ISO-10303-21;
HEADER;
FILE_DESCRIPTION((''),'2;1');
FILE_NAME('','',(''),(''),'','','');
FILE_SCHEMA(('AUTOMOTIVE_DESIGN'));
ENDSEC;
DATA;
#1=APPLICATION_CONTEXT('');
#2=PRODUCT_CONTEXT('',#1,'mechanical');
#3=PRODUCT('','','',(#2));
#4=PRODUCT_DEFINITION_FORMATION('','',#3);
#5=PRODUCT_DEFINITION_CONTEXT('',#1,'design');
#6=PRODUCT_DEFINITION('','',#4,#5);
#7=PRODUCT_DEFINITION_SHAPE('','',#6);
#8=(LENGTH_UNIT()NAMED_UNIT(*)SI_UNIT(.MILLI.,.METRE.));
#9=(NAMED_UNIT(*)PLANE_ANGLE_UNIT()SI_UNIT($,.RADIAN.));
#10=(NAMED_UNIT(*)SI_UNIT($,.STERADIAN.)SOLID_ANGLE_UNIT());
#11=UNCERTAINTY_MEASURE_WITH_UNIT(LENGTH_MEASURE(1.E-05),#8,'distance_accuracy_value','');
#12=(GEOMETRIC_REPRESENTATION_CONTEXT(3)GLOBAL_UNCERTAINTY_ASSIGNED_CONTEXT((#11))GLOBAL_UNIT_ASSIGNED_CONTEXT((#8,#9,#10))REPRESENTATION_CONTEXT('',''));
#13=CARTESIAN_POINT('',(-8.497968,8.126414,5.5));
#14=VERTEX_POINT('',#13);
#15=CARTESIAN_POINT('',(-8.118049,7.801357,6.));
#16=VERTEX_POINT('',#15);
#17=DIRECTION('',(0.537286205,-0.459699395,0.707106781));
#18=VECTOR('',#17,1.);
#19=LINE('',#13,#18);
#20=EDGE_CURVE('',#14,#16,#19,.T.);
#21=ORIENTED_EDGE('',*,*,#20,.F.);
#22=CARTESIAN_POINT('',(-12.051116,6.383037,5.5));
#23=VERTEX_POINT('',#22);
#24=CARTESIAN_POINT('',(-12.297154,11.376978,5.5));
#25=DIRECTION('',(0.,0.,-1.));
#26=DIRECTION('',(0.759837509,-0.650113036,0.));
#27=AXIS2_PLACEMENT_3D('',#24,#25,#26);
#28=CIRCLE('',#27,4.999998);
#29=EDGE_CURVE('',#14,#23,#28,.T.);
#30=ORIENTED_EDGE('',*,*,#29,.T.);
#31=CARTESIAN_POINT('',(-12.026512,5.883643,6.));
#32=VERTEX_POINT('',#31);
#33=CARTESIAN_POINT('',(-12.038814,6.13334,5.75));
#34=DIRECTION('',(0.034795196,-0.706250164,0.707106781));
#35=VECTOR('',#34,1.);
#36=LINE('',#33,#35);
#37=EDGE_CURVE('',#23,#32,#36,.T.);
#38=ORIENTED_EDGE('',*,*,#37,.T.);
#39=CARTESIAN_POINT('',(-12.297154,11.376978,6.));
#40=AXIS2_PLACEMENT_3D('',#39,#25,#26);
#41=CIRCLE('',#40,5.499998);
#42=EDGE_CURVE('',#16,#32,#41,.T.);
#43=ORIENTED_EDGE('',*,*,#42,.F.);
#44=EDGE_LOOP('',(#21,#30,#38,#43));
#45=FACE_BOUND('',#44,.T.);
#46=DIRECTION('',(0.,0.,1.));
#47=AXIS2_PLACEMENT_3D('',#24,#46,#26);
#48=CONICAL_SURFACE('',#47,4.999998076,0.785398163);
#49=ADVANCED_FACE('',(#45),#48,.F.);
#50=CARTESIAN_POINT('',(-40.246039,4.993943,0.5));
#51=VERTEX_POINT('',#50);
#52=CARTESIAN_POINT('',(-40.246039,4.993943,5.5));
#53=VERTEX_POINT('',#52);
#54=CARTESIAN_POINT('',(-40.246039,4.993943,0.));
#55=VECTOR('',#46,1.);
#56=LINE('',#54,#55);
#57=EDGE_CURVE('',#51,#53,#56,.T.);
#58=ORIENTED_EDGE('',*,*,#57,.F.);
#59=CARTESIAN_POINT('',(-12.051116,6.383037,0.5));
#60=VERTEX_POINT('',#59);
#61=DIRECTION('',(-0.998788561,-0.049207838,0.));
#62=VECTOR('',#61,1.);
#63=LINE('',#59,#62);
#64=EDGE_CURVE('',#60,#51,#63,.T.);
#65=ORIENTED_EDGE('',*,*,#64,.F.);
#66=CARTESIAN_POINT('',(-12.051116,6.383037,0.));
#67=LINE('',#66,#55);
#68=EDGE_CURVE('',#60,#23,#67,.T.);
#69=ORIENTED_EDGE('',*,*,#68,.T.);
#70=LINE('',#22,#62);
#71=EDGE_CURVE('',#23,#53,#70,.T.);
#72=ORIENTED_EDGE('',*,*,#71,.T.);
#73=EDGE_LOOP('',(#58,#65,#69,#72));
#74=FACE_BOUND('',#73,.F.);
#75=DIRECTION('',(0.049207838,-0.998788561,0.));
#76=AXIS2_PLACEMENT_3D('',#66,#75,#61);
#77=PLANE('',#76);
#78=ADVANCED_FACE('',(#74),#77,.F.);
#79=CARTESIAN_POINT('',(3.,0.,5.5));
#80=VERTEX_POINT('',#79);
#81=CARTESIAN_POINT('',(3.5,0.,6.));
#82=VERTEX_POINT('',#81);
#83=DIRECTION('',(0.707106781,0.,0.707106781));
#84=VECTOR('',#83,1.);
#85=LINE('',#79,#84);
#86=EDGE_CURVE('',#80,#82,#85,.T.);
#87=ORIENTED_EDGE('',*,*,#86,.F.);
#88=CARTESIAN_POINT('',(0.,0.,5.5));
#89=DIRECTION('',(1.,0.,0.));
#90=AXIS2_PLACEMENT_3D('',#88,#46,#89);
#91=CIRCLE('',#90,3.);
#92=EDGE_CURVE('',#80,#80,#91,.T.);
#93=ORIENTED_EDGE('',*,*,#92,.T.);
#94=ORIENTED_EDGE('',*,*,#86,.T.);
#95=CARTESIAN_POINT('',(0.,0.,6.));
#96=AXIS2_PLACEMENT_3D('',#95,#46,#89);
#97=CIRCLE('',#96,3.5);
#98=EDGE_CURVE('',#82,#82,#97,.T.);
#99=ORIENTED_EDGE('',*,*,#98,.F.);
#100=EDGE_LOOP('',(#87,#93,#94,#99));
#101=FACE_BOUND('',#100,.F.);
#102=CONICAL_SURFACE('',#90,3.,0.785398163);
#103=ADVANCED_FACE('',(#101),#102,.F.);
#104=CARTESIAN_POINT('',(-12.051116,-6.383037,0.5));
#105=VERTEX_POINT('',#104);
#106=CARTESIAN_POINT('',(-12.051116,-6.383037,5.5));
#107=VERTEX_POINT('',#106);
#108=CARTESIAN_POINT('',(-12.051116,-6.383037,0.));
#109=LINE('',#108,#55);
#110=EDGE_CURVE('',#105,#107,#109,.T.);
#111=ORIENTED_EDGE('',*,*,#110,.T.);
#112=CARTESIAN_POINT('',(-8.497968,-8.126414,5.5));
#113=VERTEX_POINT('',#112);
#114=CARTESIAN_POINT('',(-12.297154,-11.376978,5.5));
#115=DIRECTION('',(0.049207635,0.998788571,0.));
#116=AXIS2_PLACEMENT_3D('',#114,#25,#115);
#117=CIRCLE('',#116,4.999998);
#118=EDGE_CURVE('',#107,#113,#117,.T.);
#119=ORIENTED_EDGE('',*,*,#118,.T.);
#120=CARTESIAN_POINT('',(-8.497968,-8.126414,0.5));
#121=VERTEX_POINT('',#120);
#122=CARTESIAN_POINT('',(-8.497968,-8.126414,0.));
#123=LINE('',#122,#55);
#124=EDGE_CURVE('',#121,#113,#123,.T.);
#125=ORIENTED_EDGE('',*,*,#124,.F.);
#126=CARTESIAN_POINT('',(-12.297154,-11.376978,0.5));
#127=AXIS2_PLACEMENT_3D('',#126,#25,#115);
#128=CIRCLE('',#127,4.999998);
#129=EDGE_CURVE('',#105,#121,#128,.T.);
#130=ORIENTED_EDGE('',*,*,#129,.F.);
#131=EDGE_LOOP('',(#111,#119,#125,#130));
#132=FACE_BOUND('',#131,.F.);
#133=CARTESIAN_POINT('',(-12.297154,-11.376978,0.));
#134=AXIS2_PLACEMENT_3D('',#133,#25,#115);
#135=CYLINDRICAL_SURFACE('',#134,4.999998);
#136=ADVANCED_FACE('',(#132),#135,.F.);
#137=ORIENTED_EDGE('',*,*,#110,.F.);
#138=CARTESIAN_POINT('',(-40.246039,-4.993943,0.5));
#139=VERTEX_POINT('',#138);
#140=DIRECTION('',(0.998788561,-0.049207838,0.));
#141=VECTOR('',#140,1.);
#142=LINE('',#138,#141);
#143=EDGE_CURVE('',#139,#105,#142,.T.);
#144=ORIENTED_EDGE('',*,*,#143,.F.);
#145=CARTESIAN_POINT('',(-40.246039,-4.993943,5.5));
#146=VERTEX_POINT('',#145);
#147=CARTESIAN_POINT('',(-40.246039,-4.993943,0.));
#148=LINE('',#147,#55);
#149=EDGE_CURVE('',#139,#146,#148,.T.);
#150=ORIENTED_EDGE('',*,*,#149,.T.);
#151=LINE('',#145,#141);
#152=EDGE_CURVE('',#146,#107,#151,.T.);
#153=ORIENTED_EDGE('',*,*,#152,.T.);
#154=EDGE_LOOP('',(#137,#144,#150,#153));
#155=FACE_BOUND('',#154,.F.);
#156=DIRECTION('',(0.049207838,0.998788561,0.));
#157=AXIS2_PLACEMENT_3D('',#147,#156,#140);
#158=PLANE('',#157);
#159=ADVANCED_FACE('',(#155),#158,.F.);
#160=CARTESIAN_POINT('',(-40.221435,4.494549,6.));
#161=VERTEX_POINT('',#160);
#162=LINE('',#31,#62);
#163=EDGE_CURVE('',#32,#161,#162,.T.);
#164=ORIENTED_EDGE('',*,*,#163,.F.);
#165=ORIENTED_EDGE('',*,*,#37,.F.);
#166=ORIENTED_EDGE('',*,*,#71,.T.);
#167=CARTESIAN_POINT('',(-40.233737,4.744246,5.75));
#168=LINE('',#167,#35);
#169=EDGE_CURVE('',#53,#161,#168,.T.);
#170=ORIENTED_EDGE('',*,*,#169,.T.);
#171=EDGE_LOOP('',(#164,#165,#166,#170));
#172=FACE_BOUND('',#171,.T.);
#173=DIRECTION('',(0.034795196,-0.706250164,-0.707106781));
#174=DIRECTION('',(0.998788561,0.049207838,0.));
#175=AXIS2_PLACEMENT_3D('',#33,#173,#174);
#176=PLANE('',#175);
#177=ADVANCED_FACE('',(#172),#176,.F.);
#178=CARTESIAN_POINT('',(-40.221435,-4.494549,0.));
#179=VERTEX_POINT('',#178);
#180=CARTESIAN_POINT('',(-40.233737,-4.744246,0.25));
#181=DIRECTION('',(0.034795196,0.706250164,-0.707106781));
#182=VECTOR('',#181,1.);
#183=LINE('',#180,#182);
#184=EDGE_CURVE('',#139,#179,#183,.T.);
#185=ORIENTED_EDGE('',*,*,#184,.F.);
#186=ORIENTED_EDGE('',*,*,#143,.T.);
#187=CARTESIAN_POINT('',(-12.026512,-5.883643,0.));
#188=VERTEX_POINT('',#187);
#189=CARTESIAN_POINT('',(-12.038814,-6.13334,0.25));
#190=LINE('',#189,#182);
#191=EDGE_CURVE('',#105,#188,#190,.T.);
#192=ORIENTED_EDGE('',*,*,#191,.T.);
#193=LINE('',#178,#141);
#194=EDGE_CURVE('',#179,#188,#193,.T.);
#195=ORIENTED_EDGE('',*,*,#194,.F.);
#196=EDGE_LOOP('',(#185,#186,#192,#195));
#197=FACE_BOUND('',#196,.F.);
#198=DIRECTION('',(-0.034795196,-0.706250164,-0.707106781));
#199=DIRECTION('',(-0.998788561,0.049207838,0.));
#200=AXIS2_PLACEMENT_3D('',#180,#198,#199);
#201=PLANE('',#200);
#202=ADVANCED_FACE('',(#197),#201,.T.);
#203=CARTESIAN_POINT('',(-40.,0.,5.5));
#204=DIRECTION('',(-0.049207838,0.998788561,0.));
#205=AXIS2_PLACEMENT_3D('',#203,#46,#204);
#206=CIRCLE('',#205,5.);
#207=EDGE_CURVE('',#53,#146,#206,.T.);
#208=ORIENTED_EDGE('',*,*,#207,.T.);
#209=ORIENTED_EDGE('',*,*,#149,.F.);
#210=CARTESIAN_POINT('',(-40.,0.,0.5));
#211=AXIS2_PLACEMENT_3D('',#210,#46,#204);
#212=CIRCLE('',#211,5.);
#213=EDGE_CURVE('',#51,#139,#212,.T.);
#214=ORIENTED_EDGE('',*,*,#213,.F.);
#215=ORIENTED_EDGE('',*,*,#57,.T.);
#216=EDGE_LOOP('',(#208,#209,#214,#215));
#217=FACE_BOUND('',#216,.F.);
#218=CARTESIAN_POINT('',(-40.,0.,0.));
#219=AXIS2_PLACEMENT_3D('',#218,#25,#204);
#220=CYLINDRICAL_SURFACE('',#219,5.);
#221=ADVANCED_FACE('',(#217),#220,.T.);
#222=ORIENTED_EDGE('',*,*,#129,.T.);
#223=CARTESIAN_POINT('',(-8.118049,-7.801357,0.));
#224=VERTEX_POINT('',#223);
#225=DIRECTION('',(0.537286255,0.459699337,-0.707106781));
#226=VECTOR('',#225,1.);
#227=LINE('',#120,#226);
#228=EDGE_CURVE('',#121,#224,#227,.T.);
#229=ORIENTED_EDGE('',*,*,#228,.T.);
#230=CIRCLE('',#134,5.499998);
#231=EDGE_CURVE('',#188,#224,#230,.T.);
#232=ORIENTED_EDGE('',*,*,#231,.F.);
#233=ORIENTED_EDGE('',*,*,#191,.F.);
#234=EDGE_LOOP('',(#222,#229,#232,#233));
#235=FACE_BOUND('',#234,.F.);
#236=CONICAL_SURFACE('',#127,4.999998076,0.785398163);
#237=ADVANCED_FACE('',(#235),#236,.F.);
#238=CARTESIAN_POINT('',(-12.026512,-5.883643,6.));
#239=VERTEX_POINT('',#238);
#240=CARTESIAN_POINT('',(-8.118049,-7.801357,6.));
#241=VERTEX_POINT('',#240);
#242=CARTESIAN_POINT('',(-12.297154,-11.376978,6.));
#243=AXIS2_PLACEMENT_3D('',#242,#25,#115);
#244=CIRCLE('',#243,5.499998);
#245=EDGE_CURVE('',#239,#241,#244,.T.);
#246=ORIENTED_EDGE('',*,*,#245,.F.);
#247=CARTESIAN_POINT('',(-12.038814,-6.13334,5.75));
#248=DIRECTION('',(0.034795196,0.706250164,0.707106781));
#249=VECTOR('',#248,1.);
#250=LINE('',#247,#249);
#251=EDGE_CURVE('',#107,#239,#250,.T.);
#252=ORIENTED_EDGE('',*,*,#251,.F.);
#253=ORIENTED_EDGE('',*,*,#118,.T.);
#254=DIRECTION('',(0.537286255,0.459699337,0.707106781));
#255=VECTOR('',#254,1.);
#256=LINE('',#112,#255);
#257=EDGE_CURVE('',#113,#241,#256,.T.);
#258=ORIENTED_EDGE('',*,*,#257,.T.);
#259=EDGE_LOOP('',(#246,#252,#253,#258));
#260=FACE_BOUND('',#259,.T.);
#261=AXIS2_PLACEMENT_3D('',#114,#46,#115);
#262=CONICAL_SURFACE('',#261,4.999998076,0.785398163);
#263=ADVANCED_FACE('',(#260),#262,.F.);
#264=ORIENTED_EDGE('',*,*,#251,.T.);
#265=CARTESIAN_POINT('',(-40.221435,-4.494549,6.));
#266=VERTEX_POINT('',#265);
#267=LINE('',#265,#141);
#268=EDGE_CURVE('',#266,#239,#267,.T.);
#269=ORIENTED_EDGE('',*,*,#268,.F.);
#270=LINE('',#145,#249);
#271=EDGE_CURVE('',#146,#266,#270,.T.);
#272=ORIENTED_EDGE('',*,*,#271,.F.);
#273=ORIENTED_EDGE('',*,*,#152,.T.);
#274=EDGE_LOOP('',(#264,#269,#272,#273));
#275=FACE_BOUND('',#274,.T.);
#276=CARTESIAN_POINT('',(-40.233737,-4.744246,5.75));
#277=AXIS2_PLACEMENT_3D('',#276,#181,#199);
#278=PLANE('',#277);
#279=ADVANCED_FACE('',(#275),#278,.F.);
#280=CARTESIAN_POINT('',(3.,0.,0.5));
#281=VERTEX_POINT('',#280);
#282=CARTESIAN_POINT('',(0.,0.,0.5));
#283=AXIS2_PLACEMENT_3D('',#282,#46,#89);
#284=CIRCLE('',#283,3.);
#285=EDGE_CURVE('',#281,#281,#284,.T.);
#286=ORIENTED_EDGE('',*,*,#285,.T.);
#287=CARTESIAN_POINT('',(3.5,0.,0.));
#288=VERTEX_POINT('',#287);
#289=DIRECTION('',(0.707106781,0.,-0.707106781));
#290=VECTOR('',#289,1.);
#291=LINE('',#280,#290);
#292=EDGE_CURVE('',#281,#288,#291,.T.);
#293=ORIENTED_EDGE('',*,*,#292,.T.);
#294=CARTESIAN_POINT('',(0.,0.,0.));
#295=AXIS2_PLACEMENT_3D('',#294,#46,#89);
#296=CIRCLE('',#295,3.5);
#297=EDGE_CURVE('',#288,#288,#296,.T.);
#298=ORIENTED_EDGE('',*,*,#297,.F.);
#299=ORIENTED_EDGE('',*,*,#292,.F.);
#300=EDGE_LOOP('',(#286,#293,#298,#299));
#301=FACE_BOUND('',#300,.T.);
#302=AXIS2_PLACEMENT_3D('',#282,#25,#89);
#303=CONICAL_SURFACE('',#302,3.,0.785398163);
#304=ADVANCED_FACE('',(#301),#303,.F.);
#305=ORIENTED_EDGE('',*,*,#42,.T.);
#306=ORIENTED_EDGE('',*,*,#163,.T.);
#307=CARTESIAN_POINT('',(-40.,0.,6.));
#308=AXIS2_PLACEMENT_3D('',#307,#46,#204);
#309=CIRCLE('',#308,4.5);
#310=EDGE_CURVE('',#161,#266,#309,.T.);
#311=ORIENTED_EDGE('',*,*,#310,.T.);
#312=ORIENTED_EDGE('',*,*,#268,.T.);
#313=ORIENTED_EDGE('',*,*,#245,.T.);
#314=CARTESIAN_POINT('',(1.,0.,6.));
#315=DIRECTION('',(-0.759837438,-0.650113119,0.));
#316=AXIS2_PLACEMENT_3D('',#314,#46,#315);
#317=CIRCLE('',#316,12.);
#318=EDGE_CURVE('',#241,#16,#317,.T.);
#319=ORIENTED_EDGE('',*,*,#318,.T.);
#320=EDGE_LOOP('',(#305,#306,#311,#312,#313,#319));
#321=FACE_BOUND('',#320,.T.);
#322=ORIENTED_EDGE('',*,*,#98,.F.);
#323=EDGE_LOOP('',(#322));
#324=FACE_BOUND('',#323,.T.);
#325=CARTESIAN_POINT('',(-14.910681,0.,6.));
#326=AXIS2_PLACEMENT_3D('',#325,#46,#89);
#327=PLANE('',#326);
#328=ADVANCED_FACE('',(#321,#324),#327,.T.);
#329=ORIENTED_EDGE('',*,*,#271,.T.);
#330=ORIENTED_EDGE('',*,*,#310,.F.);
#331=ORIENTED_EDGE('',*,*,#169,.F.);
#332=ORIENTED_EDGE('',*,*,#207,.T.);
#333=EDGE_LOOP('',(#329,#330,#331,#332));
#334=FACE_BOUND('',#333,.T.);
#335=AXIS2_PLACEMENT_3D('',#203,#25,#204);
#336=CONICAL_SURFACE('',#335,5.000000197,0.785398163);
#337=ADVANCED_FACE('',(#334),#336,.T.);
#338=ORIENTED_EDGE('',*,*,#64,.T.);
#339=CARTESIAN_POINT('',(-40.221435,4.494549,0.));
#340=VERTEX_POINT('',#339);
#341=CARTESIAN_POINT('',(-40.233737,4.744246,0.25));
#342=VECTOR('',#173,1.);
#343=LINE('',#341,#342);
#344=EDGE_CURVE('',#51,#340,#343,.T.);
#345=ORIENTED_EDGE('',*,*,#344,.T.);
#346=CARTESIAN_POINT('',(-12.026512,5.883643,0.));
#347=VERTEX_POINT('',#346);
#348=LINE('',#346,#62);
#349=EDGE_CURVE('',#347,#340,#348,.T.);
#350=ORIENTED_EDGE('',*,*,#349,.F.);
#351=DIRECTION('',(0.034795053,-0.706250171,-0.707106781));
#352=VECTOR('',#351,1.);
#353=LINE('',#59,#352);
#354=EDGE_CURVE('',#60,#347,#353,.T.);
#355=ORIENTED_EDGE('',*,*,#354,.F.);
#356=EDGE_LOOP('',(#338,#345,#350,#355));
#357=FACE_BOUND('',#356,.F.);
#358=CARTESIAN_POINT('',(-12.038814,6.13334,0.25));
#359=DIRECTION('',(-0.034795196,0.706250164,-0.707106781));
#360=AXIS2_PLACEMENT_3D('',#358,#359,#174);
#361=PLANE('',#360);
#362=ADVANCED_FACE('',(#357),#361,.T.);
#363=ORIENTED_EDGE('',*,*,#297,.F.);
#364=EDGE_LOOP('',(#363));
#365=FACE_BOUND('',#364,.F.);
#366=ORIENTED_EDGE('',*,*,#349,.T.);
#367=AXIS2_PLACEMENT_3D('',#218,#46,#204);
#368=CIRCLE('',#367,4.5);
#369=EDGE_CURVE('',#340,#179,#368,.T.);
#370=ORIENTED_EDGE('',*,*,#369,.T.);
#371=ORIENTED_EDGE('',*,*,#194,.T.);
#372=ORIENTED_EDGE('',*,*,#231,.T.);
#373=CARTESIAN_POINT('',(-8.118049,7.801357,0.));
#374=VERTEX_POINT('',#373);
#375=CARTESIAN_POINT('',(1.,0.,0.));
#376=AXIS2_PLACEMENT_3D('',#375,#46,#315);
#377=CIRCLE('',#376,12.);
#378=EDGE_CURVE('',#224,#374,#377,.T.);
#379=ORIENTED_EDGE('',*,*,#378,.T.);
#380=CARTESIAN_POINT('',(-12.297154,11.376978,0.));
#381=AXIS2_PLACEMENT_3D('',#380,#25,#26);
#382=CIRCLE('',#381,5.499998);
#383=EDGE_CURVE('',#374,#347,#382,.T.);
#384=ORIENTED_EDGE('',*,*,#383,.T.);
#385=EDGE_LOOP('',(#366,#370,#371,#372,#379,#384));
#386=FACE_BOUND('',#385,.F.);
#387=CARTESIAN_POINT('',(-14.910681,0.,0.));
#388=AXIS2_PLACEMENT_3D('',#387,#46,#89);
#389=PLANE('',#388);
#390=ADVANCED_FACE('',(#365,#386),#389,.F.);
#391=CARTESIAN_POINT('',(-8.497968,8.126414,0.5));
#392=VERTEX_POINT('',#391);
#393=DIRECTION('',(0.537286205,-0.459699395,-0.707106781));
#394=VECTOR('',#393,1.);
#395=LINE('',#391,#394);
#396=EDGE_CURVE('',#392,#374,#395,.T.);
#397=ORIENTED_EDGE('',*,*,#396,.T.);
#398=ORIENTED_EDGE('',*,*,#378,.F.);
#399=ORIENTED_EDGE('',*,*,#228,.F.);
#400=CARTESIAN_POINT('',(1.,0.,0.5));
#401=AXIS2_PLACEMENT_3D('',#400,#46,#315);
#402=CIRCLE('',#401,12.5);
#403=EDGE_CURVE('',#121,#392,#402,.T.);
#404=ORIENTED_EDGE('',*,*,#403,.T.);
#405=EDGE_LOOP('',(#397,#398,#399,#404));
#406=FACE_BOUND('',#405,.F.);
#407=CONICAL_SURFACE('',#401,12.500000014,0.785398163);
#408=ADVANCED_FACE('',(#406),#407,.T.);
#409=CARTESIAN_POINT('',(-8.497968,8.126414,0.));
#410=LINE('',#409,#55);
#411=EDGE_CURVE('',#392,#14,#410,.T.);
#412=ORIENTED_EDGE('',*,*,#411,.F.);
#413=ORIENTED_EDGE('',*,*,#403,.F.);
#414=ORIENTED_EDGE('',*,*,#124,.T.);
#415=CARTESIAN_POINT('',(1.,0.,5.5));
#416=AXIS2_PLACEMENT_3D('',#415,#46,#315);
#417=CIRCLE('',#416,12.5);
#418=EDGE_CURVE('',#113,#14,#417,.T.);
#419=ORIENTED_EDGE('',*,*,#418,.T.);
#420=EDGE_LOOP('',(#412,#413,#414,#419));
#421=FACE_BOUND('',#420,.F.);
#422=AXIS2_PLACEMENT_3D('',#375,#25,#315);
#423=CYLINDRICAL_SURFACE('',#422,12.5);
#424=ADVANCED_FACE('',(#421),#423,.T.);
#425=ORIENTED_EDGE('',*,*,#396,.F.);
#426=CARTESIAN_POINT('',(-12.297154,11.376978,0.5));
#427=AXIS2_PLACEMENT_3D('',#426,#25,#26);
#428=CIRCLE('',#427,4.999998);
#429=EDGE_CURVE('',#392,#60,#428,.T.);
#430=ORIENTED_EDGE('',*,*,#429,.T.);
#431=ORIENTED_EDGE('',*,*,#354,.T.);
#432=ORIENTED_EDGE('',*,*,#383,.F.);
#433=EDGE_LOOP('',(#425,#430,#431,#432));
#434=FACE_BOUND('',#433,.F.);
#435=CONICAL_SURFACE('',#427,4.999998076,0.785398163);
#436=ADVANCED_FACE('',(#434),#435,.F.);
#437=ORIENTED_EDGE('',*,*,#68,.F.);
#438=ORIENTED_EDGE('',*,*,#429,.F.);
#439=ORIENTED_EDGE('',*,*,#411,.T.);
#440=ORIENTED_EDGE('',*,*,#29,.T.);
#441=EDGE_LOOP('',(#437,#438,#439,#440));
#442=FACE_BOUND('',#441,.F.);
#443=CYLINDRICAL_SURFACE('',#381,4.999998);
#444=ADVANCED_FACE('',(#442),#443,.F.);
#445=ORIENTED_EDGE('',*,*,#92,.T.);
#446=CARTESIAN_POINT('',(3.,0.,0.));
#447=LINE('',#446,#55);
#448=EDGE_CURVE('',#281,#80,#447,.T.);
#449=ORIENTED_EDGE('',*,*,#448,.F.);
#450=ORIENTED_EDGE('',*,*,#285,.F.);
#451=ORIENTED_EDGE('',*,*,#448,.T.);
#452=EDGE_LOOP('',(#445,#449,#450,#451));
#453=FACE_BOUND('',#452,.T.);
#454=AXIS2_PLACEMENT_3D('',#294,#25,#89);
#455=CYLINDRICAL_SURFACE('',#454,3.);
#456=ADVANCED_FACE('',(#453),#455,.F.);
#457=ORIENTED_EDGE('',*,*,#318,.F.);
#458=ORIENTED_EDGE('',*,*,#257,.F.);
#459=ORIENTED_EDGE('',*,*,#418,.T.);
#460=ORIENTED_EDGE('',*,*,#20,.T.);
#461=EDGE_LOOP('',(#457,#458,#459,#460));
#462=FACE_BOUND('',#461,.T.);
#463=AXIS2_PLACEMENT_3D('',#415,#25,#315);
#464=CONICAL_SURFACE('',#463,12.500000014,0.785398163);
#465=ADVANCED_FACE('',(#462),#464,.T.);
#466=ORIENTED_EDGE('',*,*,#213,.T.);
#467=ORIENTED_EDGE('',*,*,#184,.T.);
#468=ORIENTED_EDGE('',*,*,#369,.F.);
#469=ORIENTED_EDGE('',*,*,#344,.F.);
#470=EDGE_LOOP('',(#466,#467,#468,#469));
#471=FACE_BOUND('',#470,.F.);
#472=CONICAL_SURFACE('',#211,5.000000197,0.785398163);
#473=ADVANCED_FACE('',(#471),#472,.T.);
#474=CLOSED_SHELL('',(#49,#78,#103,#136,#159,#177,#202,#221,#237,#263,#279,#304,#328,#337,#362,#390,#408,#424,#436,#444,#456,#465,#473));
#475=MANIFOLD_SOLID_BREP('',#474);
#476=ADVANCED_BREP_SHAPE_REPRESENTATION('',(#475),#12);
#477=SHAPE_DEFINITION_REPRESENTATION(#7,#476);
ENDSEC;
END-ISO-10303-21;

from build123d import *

# Parameters (mm, degrees)
F0_R     = 3
F1_DEPTH = 6
F2_SIZE  = 0.5


with BuildPart() as f1:
    # F0 (on Top) → F1 (new body)
    with BuildSketch(Plane.XY):
        with BuildLine():
            ThreePointArc((-12.051116, -6.383037), (-10.094701, -6.888194), (-8.497968, -8.126414))
            ThreePointArc((-8.497968, -8.126414), (13.5, 0), (-8.497968, 8.126414))
            ThreePointArc((-8.497968, 8.126414), (-10.094701, 6.888194), (-12.051116, 6.383037))
            Line((-12.051116, 6.383037), (-40.246039, 4.993943))
            ThreePointArc((-40.246039, 4.993943), (-45, 0), (-40.246039, -4.993943))
            Line((-40.246039, -4.993943), (-12.051116, -6.383037))
        make_face()
        Circle(F0_R, mode=Mode.SUBTRACT)
    extrude(amount=F1_DEPTH)

    # F2
    f2_edges = [f1.edges().sort_by_distance(p)[0] for p in [
        (-26.148577, 5.68849, 6),
        (-26.148577, -5.68849, 0),
        (-3, 0, 0),
        (-3, 0, 6),
    ]]
    chamfer(f2_edges, length=F2_SIZE)


solid = f1.part
